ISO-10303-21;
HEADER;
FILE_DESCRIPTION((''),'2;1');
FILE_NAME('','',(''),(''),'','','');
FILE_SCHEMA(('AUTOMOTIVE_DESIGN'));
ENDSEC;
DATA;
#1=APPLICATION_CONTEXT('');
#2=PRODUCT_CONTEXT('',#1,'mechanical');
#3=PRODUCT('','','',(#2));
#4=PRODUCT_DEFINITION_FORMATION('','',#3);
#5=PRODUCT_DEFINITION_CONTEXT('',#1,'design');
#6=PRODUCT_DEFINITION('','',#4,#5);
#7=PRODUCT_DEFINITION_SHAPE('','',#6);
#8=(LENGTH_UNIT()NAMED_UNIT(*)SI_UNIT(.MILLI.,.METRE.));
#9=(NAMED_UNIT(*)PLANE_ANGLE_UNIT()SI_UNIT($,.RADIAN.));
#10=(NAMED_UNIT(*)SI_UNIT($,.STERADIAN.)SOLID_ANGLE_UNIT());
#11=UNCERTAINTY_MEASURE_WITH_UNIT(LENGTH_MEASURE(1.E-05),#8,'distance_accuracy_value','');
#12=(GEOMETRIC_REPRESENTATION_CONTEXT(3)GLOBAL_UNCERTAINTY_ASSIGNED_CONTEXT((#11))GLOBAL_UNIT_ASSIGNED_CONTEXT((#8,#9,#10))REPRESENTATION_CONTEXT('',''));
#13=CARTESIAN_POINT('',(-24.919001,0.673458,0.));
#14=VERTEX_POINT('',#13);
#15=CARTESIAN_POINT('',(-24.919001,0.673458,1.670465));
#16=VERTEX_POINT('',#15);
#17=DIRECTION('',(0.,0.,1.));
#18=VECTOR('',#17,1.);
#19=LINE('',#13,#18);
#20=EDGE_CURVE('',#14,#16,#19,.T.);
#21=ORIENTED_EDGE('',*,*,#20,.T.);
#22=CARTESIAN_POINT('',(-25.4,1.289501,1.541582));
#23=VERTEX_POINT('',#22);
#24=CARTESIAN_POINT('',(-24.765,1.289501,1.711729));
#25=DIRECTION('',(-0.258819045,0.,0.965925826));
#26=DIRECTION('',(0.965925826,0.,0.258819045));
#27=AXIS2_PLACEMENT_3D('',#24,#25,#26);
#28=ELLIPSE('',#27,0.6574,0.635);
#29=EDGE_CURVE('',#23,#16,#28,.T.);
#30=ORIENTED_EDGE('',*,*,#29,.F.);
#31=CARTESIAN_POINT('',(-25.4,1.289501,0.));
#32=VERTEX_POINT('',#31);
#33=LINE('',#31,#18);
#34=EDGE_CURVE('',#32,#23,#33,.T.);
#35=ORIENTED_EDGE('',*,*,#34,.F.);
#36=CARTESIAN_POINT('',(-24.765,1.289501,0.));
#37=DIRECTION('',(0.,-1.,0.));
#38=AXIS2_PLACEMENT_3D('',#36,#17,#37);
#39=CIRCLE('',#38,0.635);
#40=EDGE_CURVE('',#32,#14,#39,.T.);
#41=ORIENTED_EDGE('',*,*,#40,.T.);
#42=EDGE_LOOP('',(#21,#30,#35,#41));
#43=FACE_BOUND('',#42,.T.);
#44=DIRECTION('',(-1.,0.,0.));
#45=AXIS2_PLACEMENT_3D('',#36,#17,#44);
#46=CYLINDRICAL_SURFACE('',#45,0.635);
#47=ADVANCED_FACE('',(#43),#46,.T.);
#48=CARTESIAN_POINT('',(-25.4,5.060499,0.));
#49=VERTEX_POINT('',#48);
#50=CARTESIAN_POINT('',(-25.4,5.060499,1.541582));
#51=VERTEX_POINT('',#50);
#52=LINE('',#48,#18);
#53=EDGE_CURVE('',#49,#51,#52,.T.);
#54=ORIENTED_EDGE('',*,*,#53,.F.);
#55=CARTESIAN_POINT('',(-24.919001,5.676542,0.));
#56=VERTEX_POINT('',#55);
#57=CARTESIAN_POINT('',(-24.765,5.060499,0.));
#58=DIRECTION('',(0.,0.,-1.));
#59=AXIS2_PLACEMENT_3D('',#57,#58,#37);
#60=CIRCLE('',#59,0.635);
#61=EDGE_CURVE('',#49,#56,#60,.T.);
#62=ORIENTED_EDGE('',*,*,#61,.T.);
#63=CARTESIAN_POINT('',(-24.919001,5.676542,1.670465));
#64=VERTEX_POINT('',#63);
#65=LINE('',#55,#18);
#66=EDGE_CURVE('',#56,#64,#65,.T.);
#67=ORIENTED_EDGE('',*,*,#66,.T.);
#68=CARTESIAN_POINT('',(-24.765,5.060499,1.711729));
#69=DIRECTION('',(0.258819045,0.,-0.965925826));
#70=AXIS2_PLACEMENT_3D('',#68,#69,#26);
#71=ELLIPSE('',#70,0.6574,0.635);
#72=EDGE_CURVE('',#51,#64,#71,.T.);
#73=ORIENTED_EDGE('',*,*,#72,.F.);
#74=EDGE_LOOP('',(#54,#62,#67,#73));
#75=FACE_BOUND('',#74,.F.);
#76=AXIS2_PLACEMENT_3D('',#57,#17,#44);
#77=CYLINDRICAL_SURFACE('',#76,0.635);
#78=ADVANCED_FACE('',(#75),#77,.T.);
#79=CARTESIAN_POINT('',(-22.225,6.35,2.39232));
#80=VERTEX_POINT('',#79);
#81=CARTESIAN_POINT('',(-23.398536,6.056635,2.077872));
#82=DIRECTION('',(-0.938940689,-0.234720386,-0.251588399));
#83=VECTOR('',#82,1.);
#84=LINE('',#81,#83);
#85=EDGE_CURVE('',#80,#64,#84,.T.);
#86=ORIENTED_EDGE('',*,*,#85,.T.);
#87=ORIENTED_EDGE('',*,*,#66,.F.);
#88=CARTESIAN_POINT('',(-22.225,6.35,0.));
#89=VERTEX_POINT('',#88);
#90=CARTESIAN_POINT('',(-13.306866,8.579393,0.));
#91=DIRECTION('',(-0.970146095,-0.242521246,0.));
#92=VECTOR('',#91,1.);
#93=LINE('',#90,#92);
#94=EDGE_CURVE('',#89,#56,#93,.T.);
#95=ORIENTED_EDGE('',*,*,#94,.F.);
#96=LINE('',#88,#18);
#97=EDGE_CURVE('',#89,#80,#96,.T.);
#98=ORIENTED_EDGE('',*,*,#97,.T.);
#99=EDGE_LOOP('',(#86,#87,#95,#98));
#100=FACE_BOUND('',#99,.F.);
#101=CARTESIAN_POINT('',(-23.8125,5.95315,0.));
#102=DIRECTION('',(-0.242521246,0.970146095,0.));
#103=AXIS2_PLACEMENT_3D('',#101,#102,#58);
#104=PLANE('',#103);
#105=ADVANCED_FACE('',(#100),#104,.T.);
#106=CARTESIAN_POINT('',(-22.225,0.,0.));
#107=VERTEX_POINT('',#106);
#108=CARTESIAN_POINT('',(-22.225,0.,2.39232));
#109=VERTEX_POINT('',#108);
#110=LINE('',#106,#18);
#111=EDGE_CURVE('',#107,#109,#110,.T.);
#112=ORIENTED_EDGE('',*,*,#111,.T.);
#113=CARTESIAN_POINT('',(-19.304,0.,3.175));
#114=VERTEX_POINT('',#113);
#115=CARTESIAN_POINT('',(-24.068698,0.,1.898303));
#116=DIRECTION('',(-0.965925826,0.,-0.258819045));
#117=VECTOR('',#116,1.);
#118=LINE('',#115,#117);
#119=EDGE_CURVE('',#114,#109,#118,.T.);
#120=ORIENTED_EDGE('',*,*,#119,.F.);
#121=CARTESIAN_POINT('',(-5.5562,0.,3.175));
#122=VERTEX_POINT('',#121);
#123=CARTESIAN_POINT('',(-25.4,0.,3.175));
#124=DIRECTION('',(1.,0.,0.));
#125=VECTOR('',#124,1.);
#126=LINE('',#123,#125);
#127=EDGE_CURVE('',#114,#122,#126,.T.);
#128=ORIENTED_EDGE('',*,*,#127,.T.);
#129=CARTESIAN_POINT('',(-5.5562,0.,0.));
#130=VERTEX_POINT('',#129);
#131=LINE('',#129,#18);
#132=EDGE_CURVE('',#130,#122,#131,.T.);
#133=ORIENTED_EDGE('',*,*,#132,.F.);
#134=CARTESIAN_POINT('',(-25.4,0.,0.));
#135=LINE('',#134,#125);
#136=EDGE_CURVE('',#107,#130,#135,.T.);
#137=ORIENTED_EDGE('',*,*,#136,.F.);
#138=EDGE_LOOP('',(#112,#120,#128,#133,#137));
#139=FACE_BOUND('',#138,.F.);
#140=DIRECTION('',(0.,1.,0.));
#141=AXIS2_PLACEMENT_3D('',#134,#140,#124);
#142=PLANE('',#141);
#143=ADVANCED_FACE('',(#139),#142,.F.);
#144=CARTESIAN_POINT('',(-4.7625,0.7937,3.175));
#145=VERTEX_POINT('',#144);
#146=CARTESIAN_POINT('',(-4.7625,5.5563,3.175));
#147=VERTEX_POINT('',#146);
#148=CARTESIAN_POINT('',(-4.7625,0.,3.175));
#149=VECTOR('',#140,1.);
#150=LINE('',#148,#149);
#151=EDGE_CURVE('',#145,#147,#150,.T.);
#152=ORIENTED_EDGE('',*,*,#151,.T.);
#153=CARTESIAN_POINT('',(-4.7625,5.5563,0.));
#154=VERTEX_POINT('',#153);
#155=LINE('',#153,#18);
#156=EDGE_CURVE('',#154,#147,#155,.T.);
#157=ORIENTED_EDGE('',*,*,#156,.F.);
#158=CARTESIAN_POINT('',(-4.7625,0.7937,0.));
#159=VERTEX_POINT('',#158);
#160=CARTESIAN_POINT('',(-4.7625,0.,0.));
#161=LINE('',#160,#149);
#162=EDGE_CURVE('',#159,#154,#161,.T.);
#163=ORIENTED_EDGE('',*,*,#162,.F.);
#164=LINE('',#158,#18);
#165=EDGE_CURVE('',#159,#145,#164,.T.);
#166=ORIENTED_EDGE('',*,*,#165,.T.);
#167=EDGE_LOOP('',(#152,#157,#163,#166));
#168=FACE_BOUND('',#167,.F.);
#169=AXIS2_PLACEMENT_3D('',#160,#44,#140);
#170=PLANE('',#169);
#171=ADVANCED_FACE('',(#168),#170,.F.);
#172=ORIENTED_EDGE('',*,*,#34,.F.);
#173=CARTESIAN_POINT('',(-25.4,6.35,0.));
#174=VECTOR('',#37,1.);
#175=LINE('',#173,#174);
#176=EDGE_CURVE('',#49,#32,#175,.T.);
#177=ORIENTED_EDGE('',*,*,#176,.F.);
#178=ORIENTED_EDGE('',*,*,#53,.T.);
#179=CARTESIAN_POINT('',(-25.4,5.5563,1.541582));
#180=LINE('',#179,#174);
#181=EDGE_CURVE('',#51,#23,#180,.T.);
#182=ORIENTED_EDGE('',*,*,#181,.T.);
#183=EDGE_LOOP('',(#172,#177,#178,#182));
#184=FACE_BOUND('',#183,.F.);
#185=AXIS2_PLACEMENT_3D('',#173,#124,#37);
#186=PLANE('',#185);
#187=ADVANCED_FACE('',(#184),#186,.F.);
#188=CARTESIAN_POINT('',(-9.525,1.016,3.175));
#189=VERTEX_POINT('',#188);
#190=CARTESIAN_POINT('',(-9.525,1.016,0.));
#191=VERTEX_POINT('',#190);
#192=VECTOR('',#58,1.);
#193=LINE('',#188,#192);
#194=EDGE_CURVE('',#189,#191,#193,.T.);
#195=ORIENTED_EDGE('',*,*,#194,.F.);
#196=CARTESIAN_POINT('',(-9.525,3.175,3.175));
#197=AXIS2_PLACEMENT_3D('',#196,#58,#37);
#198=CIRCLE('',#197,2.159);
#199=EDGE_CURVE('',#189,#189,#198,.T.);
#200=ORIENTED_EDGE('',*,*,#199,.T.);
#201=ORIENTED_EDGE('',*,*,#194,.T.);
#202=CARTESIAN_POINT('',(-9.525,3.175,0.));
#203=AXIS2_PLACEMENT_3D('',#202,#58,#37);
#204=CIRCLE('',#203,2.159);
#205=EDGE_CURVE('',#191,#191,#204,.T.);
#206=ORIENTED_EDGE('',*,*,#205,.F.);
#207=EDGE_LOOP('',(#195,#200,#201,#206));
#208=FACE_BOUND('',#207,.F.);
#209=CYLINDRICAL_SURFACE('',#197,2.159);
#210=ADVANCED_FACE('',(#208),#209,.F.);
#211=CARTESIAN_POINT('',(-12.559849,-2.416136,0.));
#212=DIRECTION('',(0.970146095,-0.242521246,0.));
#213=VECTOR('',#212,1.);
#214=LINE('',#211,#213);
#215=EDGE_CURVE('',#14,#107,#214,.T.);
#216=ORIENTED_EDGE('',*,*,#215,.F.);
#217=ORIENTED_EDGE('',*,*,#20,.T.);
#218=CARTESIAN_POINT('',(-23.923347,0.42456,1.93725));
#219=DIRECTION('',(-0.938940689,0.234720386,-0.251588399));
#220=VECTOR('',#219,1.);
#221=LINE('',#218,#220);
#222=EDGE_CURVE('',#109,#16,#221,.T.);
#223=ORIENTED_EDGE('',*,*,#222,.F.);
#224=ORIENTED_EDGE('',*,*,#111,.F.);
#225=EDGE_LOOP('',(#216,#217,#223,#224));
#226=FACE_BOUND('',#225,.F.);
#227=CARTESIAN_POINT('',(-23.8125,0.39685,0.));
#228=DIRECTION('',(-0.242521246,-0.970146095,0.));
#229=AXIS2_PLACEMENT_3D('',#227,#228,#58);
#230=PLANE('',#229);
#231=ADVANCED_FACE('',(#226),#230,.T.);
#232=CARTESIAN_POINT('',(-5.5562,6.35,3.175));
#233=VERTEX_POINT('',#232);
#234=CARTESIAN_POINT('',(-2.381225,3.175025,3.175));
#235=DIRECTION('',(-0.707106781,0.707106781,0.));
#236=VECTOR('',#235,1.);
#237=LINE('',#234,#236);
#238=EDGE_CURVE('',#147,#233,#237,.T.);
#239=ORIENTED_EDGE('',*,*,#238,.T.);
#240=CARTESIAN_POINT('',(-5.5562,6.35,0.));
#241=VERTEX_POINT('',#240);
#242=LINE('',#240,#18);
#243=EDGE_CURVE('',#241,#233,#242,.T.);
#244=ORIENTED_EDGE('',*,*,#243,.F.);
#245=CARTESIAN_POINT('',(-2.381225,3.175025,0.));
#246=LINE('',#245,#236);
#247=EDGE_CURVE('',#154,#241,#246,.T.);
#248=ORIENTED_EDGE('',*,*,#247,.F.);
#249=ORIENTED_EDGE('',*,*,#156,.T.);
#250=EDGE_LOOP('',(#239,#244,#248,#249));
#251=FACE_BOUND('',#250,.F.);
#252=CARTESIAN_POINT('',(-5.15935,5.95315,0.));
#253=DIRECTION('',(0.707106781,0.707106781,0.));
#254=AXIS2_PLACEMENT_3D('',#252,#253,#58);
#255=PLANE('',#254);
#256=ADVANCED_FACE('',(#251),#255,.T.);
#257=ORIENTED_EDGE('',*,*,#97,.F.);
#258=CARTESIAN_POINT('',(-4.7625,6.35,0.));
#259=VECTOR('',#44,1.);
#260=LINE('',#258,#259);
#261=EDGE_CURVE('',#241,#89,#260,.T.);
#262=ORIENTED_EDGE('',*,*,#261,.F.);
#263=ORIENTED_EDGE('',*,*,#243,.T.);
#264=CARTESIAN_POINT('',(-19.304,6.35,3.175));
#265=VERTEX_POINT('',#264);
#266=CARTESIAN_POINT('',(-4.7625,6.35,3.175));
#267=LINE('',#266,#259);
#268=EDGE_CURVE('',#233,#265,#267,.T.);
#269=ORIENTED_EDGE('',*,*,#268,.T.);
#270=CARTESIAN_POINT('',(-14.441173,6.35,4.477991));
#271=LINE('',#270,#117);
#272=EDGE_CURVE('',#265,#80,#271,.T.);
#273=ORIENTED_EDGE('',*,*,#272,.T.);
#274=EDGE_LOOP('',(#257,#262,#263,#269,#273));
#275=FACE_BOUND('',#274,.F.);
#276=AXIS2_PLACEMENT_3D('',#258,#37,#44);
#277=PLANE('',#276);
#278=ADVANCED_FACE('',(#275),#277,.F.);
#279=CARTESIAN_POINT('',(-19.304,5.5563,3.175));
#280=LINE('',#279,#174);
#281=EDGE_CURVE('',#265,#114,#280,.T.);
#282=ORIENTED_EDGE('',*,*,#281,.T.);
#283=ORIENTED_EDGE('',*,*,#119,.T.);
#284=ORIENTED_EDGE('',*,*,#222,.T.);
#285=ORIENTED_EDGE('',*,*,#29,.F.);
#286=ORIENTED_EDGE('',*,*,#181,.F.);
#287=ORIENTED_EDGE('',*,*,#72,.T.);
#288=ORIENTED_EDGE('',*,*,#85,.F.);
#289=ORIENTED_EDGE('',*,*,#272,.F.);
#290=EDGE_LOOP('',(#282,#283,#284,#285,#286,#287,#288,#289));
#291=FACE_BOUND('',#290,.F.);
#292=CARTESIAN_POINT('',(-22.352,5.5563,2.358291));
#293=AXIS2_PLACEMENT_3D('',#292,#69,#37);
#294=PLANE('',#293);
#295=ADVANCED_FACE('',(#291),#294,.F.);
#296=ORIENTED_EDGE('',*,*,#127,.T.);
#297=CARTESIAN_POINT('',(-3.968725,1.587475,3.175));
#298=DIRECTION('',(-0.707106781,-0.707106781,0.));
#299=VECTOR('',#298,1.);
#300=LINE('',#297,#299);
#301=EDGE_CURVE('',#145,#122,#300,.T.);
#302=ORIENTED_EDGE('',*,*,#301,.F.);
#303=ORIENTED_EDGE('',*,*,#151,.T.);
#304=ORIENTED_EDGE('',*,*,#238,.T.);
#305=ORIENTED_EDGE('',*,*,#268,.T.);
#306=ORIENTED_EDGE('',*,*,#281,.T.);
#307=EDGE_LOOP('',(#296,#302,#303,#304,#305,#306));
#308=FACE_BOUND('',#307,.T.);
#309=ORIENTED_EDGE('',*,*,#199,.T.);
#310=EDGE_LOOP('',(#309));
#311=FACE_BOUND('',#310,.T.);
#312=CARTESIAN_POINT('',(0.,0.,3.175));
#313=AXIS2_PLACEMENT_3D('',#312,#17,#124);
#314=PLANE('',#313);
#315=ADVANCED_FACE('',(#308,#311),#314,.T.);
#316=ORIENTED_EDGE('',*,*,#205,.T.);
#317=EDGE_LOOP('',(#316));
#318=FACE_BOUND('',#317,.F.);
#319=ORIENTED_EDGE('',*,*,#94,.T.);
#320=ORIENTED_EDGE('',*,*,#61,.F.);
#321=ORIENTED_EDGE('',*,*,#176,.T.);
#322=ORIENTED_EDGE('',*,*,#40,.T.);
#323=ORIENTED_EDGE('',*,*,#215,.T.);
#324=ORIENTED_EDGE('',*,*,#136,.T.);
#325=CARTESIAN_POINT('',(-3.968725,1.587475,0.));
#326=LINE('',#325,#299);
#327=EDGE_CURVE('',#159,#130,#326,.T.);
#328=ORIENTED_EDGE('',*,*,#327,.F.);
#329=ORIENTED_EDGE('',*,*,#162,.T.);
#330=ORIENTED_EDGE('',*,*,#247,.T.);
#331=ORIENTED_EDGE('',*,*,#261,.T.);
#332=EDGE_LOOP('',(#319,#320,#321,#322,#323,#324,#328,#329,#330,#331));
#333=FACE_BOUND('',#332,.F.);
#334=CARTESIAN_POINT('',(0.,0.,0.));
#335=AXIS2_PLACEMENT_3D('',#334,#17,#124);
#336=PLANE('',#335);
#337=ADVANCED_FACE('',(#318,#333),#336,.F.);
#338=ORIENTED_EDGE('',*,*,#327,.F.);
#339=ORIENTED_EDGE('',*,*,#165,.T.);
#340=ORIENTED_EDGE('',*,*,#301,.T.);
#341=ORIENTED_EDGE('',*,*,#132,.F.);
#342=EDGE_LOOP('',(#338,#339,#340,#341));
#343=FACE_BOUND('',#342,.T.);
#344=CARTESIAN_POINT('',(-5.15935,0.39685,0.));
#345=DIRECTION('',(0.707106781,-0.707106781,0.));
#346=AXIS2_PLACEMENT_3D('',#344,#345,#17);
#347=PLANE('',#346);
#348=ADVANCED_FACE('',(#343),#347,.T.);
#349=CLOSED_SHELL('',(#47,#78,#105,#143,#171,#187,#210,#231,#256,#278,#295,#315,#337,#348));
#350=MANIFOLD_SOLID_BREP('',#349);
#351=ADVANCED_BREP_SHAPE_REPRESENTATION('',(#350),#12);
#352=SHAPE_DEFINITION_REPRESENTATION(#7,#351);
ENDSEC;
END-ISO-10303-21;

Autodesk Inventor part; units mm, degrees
ref_plane "YZ Plane" through (0, 0, 0) normal (1, 0, 0) x (0, 1, 0)
ref_plane "XZ Plane" through (0, 0, 0) normal (0, 1, 0) x (-1, 0, 0)
ref_plane "XY Plane" through (0, 0, 0) normal (0, 0, 1) x (1, 0, 0)
sketch "Sketch1" plane through (0, 0, 0) normal (0, 0, 1) x (1, 0, 0)
  line L0 (-25.4, 6.35) -> (-25.4, 0)
  line L1 (-25.4, 0) -> (-4.7625, 0)
  line L2 (-4.7625, 0) -> (-4.7625, 6.35)
  line L3 (-4.7625, 6.35) -> (-25.4, 6.35)
  dimension "d0" = 6.35
  dimension "d1" = 20.6375
extrude "Extrusion1" add sketch "Sketch1" along normal blind 3.175
hole "Hole1" at (-9.525, 3.175, 3.175) direction (0, 0, -1) diameter 4.318 end through all clearance for "Flat Head Machine Screw (82)" size "#8" standard "Ansi Unified Screw Threads"
chamfer "Chamfer3" distance 0.7937 angle 45 1 edges at (-4.7625, 0, 1.5875)
chamfer "Chamfer4" distance 0.7937 angle 45 1 edges at (-4.7625, 6.35, 1.5875)
chamfer "Chamfer5" distance 0.7937 distance2 3.175 1 edges at (-25.4, 0, 1.5875) measured on face at (-25.4, 4.2333, 1.0583)
chamfer "Chamfer6" distance 3.175 distance2 0.7937 1 edges at (-25.4, 6.35, 1.5875) measured on face at (-12.1708, 6.35, 1.0583)
chamfer "Chamfer7" distance 6.096 angle 15 1 edges at (-25.4, 3.175, 3.175) measured on face at (-18.7061, 3.2617, 3.175)
fillet "Fillet1" radius 0.635 2 edges at (-25.4, 0.7937, 0.7708) (-25.4, 5.5562, 0.7708)
properties part number "J005776" material "STAINLESS STEEL, 303"
